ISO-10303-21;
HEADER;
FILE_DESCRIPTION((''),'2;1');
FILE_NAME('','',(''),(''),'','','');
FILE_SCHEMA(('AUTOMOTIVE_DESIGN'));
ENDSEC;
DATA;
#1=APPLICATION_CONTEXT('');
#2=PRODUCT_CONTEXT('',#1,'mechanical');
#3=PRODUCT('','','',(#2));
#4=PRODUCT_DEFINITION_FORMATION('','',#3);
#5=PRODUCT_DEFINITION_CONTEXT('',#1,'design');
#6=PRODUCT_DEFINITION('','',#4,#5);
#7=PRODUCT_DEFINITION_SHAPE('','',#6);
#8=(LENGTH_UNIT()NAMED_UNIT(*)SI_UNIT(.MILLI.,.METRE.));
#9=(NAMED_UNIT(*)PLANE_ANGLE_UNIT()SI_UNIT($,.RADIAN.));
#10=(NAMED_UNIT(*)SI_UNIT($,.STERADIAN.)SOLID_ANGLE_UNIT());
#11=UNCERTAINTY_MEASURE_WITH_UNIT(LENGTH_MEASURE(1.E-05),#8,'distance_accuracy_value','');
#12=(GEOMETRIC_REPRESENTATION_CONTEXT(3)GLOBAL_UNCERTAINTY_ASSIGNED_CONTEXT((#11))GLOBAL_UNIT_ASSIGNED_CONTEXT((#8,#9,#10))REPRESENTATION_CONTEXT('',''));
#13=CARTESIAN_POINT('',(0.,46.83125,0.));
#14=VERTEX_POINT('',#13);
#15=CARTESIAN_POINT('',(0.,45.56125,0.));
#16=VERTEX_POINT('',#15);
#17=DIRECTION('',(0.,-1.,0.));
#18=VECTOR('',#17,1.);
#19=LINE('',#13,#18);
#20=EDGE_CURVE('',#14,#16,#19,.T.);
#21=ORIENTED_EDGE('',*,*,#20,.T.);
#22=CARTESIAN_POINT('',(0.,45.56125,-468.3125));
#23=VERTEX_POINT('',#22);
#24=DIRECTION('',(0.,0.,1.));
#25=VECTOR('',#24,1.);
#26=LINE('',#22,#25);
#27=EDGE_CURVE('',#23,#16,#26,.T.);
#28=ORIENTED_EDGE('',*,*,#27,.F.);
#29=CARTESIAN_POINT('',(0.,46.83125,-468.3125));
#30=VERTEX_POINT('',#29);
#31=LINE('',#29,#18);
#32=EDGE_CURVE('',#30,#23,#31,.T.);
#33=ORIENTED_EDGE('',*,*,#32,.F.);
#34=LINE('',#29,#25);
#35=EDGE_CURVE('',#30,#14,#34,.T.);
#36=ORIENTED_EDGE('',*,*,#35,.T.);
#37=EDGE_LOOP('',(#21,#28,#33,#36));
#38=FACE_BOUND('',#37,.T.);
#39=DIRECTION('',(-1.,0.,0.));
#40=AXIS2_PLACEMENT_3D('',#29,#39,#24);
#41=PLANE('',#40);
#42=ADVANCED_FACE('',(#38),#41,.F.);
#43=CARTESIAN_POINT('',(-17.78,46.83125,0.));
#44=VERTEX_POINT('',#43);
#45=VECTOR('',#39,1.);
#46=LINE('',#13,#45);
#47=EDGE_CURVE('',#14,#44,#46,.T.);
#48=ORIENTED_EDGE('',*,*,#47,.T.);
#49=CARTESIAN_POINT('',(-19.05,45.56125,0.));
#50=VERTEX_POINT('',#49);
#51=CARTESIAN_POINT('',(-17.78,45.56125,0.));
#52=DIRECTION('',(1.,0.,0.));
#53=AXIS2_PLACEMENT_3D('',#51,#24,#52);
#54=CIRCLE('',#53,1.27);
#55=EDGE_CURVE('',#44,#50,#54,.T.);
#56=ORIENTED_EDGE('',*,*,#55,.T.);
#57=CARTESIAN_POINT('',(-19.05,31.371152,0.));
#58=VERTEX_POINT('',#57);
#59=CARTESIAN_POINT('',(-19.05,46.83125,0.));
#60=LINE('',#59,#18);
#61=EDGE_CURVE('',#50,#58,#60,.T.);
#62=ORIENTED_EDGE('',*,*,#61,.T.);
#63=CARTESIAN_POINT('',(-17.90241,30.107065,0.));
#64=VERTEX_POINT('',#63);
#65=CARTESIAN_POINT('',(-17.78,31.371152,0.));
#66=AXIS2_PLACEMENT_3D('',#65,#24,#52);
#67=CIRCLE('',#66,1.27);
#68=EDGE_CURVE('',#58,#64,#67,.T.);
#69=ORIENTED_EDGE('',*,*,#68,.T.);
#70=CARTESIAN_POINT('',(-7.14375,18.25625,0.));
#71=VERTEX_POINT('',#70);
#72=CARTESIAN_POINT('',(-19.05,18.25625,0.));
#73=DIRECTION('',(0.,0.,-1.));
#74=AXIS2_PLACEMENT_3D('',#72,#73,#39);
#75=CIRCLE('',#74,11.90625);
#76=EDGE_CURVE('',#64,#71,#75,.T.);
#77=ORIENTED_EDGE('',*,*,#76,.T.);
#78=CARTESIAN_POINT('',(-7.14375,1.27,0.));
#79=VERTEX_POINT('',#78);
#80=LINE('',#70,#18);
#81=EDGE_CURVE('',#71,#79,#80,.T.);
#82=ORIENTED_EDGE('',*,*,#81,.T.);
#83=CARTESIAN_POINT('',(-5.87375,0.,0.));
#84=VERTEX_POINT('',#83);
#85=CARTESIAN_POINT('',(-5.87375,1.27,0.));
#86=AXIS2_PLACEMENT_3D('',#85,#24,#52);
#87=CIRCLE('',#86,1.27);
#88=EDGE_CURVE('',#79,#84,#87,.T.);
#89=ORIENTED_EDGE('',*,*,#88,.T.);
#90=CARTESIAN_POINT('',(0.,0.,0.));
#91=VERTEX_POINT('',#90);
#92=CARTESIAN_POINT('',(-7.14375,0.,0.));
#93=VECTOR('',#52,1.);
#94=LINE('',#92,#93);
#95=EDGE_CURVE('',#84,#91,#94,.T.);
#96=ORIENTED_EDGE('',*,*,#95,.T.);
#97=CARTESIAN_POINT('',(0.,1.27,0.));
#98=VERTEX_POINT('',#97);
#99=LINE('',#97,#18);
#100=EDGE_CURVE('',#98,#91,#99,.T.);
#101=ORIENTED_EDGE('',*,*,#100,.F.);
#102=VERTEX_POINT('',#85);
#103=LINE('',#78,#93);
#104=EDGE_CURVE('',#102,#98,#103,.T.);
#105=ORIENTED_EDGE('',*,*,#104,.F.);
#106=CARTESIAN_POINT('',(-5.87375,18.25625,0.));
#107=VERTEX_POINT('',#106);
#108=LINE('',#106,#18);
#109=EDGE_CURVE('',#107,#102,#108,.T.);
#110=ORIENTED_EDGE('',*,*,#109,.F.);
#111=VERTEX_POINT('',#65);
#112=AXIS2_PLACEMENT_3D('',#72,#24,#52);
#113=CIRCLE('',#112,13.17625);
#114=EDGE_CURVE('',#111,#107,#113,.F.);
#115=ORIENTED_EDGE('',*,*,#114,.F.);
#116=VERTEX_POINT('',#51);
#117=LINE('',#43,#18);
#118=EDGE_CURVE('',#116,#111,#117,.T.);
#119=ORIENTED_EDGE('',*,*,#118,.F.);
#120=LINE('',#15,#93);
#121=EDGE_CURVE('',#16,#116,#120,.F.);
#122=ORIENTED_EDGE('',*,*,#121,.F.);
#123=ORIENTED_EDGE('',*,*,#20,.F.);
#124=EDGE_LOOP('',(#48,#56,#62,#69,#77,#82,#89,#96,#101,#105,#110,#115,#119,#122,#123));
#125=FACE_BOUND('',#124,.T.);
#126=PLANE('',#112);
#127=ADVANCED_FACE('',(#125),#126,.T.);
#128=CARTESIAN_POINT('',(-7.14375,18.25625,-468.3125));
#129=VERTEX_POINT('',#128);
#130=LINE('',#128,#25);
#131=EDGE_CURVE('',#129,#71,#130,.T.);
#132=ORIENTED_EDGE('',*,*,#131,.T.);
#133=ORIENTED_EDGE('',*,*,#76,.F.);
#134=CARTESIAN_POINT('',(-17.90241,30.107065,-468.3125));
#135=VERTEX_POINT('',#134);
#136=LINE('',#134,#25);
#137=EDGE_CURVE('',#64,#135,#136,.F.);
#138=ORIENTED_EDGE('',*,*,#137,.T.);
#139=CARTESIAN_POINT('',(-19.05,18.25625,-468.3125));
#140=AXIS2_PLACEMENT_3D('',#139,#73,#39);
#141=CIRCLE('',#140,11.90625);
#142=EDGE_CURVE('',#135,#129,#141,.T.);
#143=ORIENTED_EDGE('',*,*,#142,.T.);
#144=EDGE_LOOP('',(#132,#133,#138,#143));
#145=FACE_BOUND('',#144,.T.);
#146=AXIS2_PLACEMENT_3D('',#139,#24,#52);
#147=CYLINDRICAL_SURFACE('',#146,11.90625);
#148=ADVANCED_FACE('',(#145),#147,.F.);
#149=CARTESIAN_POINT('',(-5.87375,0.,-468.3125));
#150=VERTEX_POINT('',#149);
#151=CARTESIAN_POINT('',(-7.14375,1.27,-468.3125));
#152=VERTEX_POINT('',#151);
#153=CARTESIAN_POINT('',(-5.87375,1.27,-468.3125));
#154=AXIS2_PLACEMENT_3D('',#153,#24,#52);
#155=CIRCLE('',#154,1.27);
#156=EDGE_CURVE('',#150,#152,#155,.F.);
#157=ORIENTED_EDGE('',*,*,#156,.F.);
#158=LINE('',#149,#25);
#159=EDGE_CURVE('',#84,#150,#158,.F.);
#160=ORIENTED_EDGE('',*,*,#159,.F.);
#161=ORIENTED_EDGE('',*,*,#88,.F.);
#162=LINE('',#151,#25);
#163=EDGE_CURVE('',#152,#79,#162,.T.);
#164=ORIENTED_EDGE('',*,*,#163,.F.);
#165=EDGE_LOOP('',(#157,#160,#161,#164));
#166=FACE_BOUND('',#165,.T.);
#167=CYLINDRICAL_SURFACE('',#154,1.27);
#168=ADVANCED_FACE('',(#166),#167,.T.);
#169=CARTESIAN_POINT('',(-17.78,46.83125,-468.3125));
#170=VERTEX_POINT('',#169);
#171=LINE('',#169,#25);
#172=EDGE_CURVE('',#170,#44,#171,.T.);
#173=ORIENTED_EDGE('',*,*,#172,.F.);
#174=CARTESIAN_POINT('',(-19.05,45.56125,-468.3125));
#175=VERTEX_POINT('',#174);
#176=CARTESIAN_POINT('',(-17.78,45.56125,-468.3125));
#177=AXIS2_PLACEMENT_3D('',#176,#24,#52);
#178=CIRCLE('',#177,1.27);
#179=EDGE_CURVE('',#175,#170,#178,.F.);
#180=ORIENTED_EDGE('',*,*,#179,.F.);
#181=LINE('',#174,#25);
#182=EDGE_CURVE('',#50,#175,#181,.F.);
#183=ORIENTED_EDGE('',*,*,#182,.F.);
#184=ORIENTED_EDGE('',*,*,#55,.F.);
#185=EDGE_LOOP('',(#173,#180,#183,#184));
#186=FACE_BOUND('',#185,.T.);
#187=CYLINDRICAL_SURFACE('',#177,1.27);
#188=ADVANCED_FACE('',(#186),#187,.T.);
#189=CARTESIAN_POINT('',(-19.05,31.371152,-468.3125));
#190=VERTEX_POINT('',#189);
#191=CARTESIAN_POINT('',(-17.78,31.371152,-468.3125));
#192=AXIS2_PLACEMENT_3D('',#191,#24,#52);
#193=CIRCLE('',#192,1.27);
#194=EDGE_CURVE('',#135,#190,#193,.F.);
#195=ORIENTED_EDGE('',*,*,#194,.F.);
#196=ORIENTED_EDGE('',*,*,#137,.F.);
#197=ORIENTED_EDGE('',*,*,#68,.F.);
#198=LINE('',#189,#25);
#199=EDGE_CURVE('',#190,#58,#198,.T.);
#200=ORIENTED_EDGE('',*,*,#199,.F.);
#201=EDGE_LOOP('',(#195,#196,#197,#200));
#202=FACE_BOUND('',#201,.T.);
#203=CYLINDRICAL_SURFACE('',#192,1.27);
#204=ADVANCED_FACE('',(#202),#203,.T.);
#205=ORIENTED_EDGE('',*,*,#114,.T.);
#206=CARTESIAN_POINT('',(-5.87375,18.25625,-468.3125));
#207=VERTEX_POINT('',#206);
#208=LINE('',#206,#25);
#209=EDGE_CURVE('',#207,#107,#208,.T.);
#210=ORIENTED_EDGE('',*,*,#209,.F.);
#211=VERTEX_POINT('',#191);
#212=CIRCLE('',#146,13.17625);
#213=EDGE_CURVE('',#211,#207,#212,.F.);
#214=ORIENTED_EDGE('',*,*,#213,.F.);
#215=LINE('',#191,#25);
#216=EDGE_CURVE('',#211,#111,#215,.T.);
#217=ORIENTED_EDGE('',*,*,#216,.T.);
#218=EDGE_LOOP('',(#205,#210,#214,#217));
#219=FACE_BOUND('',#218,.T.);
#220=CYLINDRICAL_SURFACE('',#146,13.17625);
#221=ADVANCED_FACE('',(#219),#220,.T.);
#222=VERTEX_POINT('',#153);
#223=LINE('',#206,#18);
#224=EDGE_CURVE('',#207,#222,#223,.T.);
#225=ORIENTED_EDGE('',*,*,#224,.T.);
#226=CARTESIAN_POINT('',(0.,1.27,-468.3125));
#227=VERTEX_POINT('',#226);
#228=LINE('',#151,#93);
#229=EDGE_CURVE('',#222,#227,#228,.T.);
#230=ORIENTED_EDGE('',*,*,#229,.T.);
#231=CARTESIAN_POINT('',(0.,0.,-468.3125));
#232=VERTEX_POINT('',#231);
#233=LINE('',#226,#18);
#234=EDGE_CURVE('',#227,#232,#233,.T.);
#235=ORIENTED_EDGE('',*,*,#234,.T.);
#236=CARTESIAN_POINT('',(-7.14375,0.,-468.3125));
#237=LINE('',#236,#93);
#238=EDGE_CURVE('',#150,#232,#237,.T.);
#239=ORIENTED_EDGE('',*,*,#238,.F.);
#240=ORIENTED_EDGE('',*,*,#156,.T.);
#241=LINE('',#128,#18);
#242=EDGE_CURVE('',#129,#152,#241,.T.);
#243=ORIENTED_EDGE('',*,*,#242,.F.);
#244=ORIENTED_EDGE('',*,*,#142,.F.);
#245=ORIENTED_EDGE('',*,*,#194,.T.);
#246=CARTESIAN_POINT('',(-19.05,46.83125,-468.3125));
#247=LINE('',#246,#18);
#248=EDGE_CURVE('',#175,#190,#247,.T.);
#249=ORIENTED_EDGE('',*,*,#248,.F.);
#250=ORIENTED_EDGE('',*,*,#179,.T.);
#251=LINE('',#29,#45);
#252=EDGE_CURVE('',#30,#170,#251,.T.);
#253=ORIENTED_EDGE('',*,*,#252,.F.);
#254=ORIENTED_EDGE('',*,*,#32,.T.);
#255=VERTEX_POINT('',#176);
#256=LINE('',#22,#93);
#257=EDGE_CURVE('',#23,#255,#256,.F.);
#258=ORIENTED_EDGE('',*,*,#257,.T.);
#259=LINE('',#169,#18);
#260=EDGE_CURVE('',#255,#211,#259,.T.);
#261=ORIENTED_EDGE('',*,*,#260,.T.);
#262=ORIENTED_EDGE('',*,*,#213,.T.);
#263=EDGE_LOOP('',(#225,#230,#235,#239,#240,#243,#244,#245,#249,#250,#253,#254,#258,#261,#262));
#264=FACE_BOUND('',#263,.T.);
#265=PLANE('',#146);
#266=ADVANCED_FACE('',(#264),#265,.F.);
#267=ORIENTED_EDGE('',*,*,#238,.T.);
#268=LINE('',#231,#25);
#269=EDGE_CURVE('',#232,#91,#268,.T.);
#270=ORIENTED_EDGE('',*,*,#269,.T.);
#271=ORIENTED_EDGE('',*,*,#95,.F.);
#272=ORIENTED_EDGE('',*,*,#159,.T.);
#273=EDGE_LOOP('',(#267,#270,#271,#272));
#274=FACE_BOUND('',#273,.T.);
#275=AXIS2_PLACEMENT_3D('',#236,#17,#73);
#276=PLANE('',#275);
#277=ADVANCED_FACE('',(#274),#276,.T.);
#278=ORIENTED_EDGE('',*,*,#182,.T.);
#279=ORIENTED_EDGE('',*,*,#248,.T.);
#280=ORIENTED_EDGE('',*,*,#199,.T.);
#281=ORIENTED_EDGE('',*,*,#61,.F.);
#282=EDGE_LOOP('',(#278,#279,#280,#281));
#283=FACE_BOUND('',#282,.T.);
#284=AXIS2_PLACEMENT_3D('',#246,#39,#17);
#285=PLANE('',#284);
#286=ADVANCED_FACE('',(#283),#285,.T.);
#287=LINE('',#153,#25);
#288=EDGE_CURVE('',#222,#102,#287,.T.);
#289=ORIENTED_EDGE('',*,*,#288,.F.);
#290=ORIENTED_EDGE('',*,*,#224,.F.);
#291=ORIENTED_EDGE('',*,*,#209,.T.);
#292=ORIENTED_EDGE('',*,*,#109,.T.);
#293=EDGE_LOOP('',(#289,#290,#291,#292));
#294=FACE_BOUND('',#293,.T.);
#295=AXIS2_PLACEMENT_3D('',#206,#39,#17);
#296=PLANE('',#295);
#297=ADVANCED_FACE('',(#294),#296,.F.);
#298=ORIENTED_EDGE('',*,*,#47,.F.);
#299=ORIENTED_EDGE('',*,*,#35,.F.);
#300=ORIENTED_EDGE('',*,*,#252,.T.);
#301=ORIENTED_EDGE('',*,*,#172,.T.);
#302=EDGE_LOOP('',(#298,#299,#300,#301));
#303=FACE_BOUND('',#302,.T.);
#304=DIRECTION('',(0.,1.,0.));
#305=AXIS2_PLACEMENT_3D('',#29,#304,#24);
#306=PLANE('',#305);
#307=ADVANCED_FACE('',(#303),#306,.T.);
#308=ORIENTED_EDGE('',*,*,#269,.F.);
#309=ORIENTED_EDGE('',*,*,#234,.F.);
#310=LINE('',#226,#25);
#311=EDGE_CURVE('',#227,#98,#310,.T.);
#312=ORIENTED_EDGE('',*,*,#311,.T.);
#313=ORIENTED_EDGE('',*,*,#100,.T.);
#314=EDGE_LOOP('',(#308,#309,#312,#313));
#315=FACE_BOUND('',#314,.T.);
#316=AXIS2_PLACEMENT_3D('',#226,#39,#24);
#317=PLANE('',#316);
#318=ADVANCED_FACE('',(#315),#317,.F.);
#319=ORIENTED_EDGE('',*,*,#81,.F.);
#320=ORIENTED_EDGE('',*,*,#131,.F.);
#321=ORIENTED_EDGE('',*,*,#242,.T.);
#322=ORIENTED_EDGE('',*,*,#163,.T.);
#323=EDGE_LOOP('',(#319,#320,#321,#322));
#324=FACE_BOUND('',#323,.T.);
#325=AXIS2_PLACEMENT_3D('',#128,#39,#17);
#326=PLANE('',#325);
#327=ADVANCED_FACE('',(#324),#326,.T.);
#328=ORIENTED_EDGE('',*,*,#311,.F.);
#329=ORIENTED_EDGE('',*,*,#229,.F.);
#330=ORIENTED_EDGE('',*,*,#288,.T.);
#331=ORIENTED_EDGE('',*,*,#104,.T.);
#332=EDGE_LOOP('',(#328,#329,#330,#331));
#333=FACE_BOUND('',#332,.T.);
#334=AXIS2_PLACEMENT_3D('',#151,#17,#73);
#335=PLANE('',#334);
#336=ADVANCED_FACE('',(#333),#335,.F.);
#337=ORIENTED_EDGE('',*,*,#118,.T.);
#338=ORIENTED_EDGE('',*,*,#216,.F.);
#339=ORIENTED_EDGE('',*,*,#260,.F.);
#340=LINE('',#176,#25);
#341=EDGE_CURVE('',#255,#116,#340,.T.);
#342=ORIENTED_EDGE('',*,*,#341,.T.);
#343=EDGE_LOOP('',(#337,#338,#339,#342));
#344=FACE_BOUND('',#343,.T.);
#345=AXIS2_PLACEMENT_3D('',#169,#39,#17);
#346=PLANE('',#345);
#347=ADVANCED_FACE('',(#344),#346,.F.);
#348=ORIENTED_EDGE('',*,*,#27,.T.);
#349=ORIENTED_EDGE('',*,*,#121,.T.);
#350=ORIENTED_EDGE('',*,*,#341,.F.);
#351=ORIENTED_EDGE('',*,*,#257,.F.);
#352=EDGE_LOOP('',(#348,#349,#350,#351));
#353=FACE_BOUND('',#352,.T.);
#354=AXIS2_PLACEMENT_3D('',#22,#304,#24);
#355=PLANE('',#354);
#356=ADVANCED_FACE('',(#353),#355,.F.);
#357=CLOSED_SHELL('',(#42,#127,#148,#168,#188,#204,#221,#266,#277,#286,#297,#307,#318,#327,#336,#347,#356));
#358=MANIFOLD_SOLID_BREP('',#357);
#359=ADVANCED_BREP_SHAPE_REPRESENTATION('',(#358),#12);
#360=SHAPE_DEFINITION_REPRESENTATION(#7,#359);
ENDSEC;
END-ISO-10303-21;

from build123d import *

# Parameters (mm, degrees)
EXTRUDE_THIN1_DEPTH = 468.3125
FILLET1_R           = 1.27


with BuildPart() as part:
    # Sketch1 → Extrude-Thin1 (new body)
    with BuildSketch(Plane.XY):
        with BuildLine():
            Line((0, 46.83125), (-19.05, 46.83125))
            Line((-19.05, 46.83125), (-19.05, 30.1625))
            ThreePointArc((-19.05, 30.1625), (-10.631009886, 26.675240114), (-7.14375, 18.25625))
            Line((-7.14375, 18.25625), (-7.14375, 0))
            Line((-7.14375, 0), (0, 0))
            Line((0, 0), (0, 1.27))
            Line((0, 1.27), (-5.87375, 1.27))
            Line((-5.87375, 1.27), (-5.87375, 18.25625))
            ThreePointArc((-5.87375, 18.25625), (-9.294299063, 27.112878212), (-17.78, 31.371152366))
            Line((-17.78, 31.371152366), (-17.78, 45.56125))
            Line((-17.78, 45.56125), (0, 45.56125))
            Line((0, 45.56125), (0, 46.83125))
        make_face()
    extrude(amount=-EXTRUDE_THIN1_DEPTH)

    # Fillet1
    fillet1_edges = [part.edges().sort_by_distance(p)[0] for p in [
        (-7.14375, 0, -234.15625),
        (-19.05, 30.1625, -234.15625),
        (-19.05, 46.83125, -234.15625),
    ]]
    fillet(fillet1_edges, radius=FILLET1_R)


solid = part.part
